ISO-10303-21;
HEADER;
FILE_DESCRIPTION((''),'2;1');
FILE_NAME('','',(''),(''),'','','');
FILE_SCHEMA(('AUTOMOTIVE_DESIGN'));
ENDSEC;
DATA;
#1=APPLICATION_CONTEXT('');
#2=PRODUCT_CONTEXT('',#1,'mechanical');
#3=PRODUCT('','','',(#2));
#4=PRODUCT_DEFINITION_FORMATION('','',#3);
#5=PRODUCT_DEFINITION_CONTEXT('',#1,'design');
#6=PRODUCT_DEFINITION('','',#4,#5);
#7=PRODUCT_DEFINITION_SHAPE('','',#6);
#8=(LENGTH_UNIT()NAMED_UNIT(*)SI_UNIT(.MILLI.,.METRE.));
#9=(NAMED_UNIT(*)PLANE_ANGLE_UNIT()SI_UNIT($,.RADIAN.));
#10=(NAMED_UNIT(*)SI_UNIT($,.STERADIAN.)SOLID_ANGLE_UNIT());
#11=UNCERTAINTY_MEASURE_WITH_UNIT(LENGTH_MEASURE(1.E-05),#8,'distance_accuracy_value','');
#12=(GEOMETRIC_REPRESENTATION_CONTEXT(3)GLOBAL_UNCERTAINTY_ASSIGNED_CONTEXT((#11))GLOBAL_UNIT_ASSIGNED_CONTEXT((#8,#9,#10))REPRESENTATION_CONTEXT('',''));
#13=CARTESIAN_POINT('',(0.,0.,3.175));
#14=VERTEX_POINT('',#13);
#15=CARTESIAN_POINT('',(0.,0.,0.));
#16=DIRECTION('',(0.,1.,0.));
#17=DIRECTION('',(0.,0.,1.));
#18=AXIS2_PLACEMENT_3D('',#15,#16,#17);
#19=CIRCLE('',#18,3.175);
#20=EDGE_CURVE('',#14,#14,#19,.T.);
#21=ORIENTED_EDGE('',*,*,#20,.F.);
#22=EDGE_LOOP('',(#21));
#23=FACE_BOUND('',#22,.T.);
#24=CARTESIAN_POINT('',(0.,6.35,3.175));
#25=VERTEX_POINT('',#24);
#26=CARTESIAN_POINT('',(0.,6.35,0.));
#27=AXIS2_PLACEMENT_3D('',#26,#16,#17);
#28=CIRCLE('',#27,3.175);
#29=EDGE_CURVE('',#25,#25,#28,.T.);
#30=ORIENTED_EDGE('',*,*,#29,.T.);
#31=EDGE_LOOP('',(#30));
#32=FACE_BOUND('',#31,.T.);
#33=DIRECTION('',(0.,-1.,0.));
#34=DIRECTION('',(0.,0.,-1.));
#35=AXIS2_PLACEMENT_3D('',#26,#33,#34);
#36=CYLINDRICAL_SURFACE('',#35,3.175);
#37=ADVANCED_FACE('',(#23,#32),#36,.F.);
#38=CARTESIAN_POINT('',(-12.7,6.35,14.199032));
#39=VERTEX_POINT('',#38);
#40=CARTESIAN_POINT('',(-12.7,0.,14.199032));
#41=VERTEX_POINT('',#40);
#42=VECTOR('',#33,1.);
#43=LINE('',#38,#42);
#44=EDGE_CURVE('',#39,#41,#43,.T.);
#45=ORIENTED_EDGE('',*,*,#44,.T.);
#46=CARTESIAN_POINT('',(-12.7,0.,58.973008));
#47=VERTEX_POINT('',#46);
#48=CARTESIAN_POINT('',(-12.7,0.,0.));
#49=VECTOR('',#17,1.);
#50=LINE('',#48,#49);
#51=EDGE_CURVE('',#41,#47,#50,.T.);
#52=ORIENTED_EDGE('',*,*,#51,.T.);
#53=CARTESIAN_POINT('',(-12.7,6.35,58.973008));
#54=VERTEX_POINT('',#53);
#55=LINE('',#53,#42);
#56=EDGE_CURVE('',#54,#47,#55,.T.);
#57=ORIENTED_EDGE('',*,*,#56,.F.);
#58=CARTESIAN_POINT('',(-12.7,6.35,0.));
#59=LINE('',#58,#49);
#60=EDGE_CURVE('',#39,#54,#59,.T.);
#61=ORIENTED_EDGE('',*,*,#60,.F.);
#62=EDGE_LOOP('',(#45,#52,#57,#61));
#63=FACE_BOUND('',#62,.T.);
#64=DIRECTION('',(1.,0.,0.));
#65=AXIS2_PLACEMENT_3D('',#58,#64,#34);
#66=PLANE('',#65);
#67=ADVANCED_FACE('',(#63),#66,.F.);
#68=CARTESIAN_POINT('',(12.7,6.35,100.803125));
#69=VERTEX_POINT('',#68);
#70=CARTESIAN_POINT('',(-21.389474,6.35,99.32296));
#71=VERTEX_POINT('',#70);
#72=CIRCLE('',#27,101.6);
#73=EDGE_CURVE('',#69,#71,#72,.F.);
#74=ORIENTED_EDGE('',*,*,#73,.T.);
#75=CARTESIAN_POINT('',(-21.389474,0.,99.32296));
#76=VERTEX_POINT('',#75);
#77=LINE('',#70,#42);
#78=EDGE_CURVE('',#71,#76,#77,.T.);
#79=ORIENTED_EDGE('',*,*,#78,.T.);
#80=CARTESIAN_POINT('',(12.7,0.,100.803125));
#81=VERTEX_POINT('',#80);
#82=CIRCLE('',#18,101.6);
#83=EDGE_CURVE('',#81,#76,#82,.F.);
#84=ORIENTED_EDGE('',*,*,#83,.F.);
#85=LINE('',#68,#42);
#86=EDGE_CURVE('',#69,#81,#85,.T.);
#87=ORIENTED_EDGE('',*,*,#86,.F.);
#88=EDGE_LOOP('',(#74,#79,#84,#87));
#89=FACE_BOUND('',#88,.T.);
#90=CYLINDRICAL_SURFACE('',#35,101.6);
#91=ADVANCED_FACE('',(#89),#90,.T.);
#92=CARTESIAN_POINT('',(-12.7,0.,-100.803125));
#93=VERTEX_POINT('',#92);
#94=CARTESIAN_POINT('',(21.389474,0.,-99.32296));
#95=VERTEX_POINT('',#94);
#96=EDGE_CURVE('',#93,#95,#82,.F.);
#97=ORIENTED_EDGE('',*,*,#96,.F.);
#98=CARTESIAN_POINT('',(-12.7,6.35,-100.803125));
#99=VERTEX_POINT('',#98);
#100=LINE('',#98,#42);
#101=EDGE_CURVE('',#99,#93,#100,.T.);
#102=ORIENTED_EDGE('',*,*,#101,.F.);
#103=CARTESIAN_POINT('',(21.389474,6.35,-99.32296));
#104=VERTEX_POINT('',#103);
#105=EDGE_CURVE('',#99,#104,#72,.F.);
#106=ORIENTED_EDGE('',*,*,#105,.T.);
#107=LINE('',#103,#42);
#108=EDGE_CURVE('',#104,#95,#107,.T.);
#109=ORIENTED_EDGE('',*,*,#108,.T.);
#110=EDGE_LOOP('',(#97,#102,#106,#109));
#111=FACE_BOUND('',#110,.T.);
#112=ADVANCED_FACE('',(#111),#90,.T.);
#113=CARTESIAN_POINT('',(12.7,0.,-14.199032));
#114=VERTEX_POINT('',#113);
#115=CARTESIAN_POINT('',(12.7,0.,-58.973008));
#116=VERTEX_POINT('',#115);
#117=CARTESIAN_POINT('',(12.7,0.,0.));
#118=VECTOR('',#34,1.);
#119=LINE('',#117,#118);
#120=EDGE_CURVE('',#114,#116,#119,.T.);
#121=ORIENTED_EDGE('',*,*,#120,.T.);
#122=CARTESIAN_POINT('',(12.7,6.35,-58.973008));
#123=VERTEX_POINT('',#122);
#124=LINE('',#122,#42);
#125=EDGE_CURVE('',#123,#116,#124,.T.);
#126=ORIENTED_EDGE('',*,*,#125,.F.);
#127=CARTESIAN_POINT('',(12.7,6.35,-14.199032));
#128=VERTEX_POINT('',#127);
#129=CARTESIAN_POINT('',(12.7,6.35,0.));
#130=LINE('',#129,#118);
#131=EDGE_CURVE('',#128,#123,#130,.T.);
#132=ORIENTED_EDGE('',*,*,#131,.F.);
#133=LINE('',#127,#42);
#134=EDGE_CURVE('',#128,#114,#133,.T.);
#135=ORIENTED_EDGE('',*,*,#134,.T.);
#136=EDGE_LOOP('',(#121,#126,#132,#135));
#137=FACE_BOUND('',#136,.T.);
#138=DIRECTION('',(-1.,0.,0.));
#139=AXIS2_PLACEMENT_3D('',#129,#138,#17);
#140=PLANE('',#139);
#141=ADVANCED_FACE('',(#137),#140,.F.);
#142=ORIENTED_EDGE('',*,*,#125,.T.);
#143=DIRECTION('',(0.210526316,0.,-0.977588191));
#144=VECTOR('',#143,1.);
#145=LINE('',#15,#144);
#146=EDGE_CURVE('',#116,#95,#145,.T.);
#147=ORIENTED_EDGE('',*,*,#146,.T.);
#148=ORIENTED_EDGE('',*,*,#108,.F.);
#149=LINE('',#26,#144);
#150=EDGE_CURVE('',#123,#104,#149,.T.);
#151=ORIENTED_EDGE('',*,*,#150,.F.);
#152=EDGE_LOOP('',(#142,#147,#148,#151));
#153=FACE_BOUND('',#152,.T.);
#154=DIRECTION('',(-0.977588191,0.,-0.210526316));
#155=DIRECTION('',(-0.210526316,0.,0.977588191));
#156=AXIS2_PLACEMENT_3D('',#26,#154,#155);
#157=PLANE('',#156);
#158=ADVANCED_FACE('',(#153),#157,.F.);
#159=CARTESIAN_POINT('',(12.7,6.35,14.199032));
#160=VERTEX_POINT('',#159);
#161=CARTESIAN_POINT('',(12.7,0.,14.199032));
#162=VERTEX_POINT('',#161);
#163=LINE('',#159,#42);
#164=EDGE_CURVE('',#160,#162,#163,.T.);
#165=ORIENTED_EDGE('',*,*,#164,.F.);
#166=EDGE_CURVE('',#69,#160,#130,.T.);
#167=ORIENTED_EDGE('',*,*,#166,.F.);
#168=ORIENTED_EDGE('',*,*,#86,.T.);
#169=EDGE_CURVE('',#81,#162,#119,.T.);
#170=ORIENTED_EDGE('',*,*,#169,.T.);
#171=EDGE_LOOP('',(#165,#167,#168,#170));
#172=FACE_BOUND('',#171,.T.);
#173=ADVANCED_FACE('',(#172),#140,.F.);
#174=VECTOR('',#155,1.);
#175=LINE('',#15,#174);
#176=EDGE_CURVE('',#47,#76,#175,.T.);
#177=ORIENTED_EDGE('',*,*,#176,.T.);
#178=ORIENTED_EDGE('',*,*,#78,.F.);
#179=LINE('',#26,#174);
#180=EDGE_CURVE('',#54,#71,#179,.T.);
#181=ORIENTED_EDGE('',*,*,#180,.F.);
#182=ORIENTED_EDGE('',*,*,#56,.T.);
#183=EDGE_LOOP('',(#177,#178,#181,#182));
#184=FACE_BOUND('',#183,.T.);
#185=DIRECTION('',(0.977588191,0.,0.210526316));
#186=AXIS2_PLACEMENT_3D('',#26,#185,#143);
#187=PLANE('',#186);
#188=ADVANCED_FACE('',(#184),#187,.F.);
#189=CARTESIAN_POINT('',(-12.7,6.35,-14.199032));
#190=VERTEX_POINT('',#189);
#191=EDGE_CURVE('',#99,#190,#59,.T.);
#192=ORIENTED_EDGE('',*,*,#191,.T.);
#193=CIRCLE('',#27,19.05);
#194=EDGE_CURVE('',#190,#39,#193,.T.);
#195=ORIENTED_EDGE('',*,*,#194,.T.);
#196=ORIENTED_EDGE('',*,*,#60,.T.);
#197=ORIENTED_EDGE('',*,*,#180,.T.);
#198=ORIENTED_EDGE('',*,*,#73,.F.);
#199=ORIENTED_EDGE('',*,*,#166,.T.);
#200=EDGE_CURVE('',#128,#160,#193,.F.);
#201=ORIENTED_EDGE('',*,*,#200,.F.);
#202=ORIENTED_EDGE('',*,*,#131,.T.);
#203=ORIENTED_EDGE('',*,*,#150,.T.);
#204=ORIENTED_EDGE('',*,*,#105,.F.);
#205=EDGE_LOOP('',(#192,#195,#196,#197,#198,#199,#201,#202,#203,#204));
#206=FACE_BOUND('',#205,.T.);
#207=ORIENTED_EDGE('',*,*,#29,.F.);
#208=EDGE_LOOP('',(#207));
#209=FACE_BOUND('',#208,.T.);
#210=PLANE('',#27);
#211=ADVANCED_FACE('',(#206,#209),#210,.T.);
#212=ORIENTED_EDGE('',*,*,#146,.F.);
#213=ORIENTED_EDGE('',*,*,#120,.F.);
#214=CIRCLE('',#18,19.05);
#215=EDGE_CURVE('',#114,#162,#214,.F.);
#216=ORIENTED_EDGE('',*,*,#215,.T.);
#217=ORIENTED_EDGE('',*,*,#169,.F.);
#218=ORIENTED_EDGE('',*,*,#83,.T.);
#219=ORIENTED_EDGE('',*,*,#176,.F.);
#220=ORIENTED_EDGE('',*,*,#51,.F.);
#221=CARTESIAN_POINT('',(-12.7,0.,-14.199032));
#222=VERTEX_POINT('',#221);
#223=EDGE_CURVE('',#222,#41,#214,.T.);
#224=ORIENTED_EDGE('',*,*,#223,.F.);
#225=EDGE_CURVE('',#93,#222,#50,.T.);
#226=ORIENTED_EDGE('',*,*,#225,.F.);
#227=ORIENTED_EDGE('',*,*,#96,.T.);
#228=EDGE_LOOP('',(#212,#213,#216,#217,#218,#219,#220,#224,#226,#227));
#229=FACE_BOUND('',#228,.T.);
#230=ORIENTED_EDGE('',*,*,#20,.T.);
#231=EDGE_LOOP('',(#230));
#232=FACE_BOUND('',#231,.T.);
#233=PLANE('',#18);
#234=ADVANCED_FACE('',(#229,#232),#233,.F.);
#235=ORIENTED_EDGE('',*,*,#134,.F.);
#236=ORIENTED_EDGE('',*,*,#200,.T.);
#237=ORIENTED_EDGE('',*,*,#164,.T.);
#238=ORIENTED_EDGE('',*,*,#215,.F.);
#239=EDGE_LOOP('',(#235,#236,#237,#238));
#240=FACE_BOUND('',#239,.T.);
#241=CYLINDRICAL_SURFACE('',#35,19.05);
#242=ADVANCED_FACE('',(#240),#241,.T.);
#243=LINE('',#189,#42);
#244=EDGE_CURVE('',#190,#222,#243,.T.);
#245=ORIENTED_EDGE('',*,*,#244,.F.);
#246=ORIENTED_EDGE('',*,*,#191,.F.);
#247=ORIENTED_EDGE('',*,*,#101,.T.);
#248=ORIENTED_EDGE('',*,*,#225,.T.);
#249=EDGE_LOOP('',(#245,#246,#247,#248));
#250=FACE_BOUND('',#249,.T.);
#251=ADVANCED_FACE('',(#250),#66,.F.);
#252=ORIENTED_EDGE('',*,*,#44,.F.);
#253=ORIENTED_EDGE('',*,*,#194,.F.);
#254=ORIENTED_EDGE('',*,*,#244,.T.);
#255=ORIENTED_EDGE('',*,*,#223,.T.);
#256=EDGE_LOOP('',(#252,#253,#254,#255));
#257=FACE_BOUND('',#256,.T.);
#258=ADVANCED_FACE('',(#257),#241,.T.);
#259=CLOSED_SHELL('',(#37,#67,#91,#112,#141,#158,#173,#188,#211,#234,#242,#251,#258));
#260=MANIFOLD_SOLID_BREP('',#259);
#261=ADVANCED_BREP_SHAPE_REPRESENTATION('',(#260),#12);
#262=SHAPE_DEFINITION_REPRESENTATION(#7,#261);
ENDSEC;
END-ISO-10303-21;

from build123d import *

# Parameters (mm, degrees)
SKETCH1_R           = 3.175
BOSS_EXTRUDE1_DEPTH = 6.35


with BuildPart() as part:
    # Sketch1 → Boss-Extrude1 (new body)
    with BuildSketch(Plane(origin=(0, 0, 0), x_dir=(1, 0, 0), z_dir=(0, 1, 0))):
        with BuildLine():
            ThreePointArc((12.7, 14.199031657), (19.05, 0), (12.7, -14.199031657))
            Line((12.7, -14.199031657), (12.7, -100.803124952))
            ThreePointArc((12.7, -100.803124952), (-4.407318933, -101.504362171), (-21.389473684, -99.322960163))
            Line((-21.389473684, -99.322960163), (-12.7, -58.973007597))
            Line((-12.7, -58.973007597), (-12.7, -14.199031657))
            ThreePointArc((-12.7, -14.199031657), (-19.05, 0), (-12.7, 14.199031657))
            Line((-12.7, 14.199031657), (-12.7, 100.803124952))
            ThreePointArc((-12.7, 100.803124952), (4.407318933, 101.504362171), (21.389473684, 99.322960163))
            Line((21.389473684, 99.322960163), (12.7, 58.973007597))
            Line((12.7, 58.973007597), (12.7, 14.199031657))
        make_face()
        with Locations(Location((0, 0, 0), (0, 0, 270))):
            Circle(SKETCH1_R, mode=Mode.SUBTRACT)
    extrude(amount=BOSS_EXTRUDE1_DEPTH)


solid = part.part
